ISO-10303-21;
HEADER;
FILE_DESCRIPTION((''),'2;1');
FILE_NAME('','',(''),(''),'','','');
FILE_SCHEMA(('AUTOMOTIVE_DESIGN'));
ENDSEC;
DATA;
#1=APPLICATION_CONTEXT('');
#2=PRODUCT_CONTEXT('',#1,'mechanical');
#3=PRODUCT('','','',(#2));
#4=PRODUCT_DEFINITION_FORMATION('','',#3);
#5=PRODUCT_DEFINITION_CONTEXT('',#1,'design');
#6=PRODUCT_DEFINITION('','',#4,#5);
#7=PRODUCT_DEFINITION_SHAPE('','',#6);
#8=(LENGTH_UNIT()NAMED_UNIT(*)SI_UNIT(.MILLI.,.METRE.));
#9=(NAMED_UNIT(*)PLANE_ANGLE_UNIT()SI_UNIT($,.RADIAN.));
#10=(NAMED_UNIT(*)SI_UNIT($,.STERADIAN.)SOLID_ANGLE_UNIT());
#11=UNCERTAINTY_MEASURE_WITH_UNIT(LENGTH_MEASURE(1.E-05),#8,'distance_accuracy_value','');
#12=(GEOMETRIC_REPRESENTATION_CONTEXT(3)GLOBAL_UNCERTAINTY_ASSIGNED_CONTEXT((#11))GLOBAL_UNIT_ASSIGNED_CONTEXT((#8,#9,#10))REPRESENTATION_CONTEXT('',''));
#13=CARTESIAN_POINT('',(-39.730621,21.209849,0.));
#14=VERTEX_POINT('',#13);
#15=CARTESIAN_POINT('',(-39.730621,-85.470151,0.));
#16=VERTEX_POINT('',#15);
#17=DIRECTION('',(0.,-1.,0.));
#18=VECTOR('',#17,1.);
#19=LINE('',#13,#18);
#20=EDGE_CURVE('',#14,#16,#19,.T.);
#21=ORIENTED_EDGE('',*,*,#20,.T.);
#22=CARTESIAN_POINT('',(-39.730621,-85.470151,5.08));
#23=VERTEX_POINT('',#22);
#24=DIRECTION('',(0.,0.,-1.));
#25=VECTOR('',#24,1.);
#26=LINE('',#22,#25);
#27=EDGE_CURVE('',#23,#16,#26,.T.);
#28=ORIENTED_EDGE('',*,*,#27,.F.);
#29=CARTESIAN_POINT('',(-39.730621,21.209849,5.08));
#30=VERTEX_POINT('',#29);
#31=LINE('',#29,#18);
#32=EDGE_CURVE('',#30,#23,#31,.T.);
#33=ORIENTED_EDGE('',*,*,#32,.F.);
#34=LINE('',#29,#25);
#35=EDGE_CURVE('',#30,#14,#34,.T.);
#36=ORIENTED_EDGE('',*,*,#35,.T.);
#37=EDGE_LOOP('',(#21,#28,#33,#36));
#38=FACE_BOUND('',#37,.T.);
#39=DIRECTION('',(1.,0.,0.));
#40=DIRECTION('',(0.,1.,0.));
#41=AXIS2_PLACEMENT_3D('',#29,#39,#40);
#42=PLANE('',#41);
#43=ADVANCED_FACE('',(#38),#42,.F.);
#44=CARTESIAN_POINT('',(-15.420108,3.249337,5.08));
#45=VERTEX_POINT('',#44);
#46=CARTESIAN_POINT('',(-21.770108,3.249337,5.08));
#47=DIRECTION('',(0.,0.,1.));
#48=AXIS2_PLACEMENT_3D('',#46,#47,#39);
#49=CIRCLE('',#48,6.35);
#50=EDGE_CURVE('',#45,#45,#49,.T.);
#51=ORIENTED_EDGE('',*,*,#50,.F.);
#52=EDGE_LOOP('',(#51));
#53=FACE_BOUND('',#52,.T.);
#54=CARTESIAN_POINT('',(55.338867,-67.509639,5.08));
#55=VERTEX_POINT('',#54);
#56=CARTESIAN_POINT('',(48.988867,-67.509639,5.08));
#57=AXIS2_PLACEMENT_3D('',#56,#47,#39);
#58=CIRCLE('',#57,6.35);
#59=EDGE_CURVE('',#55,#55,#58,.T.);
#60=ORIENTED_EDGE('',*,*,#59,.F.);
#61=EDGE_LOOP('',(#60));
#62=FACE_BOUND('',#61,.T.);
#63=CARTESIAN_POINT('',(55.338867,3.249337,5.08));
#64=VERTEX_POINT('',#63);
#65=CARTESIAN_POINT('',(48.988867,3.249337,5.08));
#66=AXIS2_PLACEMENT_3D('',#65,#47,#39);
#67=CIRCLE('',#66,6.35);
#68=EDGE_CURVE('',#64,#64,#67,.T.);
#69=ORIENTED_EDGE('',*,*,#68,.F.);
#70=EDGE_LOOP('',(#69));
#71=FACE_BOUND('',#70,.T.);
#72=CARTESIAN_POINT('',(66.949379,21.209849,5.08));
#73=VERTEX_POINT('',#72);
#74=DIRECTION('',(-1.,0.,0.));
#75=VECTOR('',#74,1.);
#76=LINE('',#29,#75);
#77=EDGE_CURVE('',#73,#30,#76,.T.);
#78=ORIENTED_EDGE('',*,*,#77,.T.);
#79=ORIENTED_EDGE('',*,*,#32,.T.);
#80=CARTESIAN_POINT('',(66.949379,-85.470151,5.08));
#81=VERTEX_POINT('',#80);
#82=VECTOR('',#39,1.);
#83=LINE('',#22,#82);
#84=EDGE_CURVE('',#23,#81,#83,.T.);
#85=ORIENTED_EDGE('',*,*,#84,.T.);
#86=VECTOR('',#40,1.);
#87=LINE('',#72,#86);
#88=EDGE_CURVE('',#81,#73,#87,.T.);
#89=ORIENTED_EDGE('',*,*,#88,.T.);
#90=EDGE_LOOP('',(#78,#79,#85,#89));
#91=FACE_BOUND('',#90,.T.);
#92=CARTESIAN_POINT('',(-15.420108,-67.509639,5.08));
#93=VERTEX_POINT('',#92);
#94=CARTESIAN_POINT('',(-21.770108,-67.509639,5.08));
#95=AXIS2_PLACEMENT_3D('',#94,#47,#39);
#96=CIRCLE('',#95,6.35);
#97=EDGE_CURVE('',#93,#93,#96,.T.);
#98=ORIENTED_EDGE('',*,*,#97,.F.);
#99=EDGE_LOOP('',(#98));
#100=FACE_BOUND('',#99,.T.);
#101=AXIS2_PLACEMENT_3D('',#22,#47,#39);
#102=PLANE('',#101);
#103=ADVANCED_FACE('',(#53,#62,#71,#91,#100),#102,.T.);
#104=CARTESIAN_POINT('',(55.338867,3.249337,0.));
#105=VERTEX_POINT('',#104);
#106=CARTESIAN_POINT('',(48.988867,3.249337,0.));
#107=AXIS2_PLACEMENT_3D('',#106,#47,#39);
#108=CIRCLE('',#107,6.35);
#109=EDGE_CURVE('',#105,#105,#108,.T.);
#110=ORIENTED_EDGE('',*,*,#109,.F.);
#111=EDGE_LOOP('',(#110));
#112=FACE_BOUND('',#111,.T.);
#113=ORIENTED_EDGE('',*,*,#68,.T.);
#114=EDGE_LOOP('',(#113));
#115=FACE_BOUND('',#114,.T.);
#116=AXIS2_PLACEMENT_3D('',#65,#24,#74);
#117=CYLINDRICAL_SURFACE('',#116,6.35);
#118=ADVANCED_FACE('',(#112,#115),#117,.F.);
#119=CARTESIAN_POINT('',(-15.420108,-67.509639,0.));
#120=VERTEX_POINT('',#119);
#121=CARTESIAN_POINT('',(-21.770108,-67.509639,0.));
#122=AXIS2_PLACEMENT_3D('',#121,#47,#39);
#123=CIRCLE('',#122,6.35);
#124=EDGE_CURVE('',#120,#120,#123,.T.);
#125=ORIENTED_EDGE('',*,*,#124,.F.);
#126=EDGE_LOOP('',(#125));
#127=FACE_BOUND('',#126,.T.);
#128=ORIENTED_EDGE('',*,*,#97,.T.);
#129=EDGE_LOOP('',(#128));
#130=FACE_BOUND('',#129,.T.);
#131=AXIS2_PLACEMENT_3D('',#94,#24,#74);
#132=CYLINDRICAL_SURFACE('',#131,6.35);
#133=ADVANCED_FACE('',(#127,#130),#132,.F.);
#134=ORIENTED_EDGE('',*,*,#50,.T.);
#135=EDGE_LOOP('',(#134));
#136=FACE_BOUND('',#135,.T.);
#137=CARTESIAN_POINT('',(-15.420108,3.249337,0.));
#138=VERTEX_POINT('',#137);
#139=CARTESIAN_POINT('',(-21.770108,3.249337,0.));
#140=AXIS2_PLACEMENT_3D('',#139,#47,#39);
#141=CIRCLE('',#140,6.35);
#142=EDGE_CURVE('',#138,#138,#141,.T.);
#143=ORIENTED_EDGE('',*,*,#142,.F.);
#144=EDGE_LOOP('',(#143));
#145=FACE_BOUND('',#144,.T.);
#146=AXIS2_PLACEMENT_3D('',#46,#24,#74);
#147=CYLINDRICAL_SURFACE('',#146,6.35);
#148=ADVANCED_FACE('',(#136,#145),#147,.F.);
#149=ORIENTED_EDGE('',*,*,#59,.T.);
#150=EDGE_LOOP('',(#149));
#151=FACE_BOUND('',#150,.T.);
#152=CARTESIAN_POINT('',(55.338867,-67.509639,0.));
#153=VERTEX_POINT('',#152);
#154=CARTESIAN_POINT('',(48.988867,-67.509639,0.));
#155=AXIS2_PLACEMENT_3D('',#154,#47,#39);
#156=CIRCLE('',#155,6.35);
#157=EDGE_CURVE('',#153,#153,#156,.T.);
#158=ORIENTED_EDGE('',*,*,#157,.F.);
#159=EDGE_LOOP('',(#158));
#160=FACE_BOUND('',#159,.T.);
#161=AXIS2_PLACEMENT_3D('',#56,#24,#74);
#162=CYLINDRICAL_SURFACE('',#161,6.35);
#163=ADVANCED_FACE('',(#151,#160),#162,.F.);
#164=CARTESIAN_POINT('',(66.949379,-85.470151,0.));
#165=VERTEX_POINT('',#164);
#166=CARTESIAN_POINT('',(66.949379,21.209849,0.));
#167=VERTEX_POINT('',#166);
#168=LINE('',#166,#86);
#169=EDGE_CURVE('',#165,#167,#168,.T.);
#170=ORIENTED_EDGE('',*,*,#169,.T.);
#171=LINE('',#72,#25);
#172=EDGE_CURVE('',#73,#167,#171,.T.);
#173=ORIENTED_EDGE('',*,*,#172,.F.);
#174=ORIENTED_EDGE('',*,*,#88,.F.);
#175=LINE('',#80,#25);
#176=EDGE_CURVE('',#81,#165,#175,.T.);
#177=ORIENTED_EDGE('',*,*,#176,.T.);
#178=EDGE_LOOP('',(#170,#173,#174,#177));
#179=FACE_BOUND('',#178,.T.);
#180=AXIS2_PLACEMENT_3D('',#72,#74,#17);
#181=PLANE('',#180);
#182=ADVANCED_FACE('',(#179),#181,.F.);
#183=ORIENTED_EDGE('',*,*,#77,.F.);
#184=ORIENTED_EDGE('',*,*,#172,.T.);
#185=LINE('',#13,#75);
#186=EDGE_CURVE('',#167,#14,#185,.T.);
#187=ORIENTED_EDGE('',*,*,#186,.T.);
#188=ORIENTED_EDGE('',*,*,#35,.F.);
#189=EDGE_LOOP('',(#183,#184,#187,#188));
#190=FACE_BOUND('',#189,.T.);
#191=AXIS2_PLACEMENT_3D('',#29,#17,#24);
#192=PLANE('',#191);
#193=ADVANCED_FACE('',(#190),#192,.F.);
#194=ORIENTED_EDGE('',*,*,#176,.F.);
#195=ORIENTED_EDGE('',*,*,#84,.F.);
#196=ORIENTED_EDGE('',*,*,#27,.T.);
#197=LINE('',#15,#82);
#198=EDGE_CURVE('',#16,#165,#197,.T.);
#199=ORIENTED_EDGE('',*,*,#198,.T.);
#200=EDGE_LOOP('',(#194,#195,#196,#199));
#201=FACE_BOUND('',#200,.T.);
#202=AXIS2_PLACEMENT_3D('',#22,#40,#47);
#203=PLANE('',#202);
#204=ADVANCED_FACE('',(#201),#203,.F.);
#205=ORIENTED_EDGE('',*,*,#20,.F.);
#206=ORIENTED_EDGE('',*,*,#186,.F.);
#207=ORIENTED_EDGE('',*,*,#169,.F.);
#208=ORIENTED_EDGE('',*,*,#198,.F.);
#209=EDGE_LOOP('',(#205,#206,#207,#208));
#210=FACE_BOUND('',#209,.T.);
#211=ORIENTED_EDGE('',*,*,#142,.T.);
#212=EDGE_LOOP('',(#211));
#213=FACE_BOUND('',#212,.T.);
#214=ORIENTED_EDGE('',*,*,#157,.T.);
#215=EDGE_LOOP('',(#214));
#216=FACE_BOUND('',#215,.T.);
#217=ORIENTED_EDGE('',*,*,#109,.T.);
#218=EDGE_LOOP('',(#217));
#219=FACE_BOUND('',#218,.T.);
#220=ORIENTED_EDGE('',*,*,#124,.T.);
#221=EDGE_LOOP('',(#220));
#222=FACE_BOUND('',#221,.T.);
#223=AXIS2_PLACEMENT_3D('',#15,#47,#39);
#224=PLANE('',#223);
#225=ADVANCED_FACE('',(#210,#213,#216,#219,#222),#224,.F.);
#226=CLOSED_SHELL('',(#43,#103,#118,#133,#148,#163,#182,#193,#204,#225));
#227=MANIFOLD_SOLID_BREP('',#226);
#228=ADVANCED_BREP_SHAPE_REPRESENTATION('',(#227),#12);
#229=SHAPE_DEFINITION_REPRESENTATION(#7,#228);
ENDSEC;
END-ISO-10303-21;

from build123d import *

# Parameters (mm, degrees)
SKETCH1_W           = 106.68
SKETCH1_H           = 106.68
SKETCH1_R           = 6.35
BOSS_EXTRUDE1_DEPTH = 5.08


with BuildPart() as part:
    # Sketch1 → Boss-Extrude1 (new body)
    with BuildSketch(Plane.XY):
        with Locations((13.609379443, -32.130150933)):
            Rectangle(SKETCH1_W, SKETCH1_H)
        with Locations((-21.770108315, 3.249336825)):
            Circle(SKETCH1_R, mode=Mode.SUBTRACT)
        with Locations((48.988867201, 3.249336825)):
            Circle(SKETCH1_R, mode=Mode.SUBTRACT)
        with Locations((-21.770108315, -67.509638691)):
            Circle(SKETCH1_R, mode=Mode.SUBTRACT)
        with Locations((48.988867201, -67.509638691)):
            Circle(SKETCH1_R, mode=Mode.SUBTRACT)
    extrude(amount=BOSS_EXTRUDE1_DEPTH)


solid = part.part
